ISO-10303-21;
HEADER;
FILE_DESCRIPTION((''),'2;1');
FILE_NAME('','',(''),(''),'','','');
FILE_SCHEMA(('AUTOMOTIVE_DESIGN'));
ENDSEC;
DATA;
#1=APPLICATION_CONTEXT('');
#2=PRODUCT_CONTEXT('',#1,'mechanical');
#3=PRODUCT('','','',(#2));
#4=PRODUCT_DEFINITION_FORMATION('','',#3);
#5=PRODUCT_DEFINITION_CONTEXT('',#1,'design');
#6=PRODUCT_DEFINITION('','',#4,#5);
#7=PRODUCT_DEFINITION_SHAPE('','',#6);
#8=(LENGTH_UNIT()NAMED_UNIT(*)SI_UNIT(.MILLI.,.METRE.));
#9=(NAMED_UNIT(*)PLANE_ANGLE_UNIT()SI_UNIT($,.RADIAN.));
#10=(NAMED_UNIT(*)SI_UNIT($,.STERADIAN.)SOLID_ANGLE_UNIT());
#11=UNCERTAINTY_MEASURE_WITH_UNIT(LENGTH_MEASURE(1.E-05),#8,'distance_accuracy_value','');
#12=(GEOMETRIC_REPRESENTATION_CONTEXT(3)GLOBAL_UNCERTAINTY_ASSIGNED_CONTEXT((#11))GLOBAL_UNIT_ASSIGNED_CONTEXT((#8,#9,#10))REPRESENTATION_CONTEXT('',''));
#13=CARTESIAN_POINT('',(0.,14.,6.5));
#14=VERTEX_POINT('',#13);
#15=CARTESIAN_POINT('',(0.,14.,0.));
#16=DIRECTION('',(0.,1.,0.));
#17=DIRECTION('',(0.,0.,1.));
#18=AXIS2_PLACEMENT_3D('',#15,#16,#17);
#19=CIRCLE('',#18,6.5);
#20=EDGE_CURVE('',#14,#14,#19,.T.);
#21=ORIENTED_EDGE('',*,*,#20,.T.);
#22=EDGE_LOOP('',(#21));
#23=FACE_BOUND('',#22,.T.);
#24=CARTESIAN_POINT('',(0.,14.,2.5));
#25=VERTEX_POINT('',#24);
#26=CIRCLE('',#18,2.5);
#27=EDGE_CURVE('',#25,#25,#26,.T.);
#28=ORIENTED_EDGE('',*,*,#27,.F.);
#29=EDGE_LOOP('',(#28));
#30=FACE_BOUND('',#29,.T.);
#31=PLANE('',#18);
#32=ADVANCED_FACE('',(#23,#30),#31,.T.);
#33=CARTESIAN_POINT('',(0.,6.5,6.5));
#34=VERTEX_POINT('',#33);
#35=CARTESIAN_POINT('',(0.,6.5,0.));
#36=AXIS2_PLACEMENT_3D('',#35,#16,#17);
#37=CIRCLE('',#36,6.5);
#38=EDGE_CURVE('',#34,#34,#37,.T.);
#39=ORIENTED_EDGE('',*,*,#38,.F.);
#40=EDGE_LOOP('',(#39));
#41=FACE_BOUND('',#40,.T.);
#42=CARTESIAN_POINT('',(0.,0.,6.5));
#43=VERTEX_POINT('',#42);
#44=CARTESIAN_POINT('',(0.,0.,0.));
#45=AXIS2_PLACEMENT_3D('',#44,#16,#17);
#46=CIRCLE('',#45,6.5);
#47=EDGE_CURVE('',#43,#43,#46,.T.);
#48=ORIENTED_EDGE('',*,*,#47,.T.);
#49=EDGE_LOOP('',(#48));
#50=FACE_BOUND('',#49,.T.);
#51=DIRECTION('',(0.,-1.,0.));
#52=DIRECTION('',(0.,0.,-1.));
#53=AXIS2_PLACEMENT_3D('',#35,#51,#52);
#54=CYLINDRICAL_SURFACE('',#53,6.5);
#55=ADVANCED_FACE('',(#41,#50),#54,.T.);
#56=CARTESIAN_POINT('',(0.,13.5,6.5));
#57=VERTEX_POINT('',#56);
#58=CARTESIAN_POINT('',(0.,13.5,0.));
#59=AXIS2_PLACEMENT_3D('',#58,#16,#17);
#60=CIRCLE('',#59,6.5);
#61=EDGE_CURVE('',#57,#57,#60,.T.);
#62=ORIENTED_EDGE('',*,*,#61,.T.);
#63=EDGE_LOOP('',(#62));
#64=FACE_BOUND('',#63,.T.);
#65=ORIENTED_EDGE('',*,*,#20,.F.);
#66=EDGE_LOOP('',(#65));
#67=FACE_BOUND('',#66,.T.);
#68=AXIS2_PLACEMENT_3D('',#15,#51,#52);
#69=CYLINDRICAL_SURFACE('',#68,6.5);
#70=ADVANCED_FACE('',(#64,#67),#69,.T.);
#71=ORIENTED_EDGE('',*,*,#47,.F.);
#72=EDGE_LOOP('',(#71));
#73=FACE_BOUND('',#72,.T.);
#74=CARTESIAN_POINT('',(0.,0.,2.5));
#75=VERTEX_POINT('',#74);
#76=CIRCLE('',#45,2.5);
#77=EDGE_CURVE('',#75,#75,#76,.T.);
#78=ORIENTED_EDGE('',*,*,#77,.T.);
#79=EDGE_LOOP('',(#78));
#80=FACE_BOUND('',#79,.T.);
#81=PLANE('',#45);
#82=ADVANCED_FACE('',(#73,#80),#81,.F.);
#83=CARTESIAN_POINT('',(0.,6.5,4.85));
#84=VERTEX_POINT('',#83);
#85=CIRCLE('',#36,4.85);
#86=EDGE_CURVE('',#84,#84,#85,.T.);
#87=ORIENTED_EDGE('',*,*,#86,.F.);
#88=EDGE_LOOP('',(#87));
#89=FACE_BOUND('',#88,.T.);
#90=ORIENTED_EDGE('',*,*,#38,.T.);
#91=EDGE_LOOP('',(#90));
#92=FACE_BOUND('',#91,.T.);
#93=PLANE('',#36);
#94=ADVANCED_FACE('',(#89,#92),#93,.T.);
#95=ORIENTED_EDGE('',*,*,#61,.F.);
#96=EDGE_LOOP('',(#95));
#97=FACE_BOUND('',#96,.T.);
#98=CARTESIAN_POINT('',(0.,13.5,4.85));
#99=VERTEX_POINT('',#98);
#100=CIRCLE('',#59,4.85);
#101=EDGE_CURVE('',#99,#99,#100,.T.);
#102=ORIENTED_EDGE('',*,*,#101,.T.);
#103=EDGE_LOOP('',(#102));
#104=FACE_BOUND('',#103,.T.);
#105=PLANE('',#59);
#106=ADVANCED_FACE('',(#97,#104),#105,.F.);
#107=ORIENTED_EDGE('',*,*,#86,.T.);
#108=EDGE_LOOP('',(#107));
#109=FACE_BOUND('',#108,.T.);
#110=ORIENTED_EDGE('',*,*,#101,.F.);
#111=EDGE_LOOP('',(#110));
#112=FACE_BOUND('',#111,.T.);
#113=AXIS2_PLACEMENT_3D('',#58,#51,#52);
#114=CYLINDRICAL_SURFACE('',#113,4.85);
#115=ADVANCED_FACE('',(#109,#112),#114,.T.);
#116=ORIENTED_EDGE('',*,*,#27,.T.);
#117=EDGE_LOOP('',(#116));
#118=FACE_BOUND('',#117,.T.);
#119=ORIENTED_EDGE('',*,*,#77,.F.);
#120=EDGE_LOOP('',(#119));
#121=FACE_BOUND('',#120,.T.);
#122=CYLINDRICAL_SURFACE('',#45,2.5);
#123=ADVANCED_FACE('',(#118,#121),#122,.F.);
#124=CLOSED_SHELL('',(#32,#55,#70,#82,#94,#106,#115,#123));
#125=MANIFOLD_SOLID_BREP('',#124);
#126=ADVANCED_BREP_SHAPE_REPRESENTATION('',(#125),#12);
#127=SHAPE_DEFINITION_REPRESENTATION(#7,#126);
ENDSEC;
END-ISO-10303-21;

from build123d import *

# Parameters (mm, degrees)
SKETCH_1_R          = 6.5
EXTRUDE_1_DEPTH     = 6.5
SKETCH_2_R          = 4.85
EXTRUDE_2_DEPTH     = 7
SKETCH_3_R          = 6.5
EXTRUDE_3_DEPTH     = 0.5
SKETCH_4_R          = 2.5
CUT_EXTRUDE_1_DEPTH = 15


with BuildPart() as part:
    # 草图1 → 凸台-拉伸1 (new body)
    with BuildSketch(Plane(origin=(0, 0, 0), x_dir=(1, 0, 0), z_dir=(0, 1, 0))):
        Circle(SKETCH_1_R)
    extrude(amount=EXTRUDE_1_DEPTH)

    # 草图2 → 凸台-拉伸2 (add)
    with BuildSketch(Plane(origin=(0, 6.5, 0), x_dir=(1, 0, 0), z_dir=(0, 1, 0))):
        Circle(SKETCH_2_R)
    extrude(amount=EXTRUDE_2_DEPTH)

    # 草图3 → 凸台-拉伸3 (add)
    with BuildSketch(Plane(origin=(0, 13.5, 0), x_dir=(1, 0, 0), z_dir=(0, 1, 0))):
        Circle(SKETCH_3_R)
    extrude(amount=EXTRUDE_3_DEPTH)

    # 草图4 → 切除-拉伸1 (cut, through all)
    with BuildSketch(Plane(origin=(0, 14, 0), x_dir=(1, 0, 0), z_dir=(0, 1, 0))):
        Circle(SKETCH_4_R)
    extrude(amount=-CUT_EXTRUDE_1_DEPTH, mode=Mode.SUBTRACT)


solid = part.part
